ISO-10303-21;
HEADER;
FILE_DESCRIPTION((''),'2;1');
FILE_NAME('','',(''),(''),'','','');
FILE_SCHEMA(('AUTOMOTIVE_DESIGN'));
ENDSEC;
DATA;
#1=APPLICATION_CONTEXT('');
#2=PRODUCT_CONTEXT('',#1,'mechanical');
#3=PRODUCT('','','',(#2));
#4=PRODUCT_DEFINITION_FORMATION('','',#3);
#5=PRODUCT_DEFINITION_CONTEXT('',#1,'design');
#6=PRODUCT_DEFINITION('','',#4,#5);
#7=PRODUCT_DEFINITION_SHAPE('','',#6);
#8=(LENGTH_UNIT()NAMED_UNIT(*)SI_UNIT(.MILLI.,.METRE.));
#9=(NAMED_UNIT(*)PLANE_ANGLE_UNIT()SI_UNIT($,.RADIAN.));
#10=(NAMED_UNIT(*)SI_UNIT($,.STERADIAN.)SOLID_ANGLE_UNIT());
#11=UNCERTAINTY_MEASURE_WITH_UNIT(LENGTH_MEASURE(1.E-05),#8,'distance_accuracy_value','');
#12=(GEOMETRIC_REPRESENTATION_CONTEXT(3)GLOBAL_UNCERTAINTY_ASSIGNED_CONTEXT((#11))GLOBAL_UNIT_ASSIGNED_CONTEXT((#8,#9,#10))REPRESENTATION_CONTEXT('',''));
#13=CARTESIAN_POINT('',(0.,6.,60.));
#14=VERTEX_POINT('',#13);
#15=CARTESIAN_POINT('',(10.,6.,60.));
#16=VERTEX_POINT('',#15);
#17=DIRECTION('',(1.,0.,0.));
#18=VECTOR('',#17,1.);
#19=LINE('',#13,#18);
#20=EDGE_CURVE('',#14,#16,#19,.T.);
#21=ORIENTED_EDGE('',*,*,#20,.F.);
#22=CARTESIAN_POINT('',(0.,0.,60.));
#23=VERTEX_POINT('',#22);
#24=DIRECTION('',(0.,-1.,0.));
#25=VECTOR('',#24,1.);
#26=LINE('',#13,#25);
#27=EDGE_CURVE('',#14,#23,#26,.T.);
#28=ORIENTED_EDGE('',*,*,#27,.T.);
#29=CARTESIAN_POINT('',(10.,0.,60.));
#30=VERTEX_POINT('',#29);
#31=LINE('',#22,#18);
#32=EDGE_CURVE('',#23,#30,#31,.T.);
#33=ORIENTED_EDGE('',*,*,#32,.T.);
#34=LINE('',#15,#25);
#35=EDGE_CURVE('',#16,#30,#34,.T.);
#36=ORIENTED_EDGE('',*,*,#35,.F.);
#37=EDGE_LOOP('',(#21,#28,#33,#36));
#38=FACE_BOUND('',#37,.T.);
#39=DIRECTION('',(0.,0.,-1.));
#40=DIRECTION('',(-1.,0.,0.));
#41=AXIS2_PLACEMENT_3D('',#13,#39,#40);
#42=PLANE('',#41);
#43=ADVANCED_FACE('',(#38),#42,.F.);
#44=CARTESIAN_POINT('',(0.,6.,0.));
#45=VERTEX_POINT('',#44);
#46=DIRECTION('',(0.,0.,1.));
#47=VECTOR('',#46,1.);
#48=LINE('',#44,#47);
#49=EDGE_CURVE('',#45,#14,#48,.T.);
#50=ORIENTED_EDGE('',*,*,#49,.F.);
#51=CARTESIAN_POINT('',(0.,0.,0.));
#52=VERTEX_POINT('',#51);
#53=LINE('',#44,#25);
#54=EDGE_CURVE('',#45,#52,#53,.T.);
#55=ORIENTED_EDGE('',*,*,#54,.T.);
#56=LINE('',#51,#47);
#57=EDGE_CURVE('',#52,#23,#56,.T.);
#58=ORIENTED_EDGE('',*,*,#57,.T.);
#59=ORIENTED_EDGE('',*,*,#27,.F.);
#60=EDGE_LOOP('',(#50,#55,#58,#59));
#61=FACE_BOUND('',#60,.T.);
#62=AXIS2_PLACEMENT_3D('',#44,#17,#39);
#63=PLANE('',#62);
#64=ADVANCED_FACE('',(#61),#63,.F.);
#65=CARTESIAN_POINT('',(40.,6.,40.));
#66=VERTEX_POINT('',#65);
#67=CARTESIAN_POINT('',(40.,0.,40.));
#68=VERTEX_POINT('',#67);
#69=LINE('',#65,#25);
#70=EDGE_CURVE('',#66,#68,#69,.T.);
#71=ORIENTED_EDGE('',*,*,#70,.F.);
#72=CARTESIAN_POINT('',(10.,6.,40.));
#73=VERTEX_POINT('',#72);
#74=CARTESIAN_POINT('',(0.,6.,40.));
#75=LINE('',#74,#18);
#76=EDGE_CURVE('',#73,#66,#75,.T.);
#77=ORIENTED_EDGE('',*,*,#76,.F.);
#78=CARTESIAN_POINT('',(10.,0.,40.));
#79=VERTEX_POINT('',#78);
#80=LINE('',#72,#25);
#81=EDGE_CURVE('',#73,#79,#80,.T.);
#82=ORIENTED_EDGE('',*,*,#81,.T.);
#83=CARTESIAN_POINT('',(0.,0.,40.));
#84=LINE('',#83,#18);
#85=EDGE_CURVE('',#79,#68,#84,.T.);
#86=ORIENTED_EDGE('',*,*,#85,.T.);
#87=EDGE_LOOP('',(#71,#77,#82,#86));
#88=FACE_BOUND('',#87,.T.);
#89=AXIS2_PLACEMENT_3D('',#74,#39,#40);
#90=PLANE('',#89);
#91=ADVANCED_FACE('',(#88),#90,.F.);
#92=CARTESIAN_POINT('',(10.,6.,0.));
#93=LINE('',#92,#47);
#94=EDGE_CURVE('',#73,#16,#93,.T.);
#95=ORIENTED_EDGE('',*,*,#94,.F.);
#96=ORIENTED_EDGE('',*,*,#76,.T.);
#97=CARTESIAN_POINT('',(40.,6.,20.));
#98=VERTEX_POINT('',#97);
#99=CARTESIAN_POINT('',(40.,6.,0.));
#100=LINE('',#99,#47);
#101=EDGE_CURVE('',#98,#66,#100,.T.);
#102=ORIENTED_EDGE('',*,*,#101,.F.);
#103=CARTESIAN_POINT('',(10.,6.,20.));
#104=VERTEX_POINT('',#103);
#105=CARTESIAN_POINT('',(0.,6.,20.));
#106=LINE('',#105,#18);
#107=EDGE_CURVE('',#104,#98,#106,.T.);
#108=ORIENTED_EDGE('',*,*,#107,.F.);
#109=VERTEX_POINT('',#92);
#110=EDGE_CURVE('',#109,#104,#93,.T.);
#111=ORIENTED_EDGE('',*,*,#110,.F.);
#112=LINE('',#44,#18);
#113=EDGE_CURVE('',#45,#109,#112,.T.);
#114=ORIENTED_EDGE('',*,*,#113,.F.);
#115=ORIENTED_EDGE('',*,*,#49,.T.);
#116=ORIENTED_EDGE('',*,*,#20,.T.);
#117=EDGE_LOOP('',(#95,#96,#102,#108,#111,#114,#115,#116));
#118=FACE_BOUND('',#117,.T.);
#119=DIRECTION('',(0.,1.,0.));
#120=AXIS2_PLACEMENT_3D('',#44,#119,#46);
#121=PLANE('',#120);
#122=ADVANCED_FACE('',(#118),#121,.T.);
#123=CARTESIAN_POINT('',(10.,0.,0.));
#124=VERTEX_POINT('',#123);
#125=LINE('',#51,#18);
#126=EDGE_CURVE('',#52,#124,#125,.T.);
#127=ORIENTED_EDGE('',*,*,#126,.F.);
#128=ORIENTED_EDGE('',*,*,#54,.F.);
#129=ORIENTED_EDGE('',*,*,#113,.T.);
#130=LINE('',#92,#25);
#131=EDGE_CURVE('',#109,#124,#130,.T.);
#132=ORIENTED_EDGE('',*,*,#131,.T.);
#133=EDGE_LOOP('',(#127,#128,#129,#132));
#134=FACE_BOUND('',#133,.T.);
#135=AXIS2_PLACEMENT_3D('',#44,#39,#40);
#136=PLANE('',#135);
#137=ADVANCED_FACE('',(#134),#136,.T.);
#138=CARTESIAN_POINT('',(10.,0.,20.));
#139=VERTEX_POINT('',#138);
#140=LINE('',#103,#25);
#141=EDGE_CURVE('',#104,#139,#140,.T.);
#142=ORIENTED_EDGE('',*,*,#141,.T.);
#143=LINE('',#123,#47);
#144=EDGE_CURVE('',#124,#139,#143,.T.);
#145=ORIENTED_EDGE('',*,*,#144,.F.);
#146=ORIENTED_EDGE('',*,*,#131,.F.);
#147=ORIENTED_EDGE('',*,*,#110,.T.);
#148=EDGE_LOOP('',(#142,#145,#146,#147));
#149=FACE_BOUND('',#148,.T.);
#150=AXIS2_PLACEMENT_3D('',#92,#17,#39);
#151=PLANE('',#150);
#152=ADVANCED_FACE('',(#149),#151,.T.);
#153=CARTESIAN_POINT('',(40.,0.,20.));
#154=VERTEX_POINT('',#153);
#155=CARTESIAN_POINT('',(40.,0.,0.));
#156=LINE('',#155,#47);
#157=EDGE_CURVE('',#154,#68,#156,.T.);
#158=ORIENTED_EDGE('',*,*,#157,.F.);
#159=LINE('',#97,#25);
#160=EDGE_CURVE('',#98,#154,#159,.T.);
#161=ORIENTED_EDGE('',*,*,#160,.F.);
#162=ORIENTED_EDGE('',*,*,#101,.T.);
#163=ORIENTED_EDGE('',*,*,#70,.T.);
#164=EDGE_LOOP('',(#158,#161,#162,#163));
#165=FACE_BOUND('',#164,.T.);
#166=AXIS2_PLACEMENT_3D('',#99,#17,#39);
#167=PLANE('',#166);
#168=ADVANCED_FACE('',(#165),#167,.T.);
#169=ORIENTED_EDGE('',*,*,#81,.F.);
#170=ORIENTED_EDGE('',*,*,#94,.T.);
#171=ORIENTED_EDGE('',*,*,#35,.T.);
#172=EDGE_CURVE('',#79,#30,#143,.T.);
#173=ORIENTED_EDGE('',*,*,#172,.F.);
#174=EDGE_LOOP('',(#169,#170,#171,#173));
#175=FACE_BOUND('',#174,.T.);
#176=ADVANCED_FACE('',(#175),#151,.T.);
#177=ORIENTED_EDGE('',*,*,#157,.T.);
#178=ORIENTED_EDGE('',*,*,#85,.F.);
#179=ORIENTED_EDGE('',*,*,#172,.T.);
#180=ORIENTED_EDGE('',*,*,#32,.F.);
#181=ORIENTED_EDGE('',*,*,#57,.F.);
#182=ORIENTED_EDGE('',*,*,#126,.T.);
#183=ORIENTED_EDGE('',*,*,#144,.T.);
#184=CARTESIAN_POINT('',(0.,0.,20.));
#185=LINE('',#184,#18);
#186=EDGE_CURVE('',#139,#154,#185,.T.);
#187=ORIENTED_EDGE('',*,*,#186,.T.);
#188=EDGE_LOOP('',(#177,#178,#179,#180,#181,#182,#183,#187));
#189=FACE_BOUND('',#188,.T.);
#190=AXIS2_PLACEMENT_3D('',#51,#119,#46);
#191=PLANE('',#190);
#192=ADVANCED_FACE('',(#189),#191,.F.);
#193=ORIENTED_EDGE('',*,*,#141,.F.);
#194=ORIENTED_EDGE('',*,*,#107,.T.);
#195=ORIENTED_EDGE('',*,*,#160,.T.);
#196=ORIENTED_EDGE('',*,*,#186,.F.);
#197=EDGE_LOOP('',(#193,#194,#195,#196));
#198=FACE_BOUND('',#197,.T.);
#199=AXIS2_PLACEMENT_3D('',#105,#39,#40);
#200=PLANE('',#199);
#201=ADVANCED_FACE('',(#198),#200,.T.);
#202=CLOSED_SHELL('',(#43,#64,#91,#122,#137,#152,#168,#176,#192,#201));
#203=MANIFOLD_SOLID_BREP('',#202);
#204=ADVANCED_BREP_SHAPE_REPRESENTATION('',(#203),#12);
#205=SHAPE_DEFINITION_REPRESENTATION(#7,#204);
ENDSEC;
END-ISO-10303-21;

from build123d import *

# Parameters (mm, degrees)
SKETCH1_W           = 10
SKETCH1_H           = 60
SKETCH1_W_2         = 30
SKETCH1_H_2         = 20
BOSS_EXTRUDE1_DEPTH = 6


with BuildPart() as part:
    # Sketch1 → Boss-Extrude1 (new body)
    with BuildSketch(Plane(origin=(0, 0, 0), x_dir=(1, 0, 0), z_dir=(0, 1, 0))):
        with Locations((5, -30)):
            Rectangle(SKETCH1_W, SKETCH1_H)
        with Locations((25, -30)):
            Rectangle(SKETCH1_W_2, SKETCH1_H_2)
    extrude(amount=BOSS_EXTRUDE1_DEPTH)


solid = part.part
